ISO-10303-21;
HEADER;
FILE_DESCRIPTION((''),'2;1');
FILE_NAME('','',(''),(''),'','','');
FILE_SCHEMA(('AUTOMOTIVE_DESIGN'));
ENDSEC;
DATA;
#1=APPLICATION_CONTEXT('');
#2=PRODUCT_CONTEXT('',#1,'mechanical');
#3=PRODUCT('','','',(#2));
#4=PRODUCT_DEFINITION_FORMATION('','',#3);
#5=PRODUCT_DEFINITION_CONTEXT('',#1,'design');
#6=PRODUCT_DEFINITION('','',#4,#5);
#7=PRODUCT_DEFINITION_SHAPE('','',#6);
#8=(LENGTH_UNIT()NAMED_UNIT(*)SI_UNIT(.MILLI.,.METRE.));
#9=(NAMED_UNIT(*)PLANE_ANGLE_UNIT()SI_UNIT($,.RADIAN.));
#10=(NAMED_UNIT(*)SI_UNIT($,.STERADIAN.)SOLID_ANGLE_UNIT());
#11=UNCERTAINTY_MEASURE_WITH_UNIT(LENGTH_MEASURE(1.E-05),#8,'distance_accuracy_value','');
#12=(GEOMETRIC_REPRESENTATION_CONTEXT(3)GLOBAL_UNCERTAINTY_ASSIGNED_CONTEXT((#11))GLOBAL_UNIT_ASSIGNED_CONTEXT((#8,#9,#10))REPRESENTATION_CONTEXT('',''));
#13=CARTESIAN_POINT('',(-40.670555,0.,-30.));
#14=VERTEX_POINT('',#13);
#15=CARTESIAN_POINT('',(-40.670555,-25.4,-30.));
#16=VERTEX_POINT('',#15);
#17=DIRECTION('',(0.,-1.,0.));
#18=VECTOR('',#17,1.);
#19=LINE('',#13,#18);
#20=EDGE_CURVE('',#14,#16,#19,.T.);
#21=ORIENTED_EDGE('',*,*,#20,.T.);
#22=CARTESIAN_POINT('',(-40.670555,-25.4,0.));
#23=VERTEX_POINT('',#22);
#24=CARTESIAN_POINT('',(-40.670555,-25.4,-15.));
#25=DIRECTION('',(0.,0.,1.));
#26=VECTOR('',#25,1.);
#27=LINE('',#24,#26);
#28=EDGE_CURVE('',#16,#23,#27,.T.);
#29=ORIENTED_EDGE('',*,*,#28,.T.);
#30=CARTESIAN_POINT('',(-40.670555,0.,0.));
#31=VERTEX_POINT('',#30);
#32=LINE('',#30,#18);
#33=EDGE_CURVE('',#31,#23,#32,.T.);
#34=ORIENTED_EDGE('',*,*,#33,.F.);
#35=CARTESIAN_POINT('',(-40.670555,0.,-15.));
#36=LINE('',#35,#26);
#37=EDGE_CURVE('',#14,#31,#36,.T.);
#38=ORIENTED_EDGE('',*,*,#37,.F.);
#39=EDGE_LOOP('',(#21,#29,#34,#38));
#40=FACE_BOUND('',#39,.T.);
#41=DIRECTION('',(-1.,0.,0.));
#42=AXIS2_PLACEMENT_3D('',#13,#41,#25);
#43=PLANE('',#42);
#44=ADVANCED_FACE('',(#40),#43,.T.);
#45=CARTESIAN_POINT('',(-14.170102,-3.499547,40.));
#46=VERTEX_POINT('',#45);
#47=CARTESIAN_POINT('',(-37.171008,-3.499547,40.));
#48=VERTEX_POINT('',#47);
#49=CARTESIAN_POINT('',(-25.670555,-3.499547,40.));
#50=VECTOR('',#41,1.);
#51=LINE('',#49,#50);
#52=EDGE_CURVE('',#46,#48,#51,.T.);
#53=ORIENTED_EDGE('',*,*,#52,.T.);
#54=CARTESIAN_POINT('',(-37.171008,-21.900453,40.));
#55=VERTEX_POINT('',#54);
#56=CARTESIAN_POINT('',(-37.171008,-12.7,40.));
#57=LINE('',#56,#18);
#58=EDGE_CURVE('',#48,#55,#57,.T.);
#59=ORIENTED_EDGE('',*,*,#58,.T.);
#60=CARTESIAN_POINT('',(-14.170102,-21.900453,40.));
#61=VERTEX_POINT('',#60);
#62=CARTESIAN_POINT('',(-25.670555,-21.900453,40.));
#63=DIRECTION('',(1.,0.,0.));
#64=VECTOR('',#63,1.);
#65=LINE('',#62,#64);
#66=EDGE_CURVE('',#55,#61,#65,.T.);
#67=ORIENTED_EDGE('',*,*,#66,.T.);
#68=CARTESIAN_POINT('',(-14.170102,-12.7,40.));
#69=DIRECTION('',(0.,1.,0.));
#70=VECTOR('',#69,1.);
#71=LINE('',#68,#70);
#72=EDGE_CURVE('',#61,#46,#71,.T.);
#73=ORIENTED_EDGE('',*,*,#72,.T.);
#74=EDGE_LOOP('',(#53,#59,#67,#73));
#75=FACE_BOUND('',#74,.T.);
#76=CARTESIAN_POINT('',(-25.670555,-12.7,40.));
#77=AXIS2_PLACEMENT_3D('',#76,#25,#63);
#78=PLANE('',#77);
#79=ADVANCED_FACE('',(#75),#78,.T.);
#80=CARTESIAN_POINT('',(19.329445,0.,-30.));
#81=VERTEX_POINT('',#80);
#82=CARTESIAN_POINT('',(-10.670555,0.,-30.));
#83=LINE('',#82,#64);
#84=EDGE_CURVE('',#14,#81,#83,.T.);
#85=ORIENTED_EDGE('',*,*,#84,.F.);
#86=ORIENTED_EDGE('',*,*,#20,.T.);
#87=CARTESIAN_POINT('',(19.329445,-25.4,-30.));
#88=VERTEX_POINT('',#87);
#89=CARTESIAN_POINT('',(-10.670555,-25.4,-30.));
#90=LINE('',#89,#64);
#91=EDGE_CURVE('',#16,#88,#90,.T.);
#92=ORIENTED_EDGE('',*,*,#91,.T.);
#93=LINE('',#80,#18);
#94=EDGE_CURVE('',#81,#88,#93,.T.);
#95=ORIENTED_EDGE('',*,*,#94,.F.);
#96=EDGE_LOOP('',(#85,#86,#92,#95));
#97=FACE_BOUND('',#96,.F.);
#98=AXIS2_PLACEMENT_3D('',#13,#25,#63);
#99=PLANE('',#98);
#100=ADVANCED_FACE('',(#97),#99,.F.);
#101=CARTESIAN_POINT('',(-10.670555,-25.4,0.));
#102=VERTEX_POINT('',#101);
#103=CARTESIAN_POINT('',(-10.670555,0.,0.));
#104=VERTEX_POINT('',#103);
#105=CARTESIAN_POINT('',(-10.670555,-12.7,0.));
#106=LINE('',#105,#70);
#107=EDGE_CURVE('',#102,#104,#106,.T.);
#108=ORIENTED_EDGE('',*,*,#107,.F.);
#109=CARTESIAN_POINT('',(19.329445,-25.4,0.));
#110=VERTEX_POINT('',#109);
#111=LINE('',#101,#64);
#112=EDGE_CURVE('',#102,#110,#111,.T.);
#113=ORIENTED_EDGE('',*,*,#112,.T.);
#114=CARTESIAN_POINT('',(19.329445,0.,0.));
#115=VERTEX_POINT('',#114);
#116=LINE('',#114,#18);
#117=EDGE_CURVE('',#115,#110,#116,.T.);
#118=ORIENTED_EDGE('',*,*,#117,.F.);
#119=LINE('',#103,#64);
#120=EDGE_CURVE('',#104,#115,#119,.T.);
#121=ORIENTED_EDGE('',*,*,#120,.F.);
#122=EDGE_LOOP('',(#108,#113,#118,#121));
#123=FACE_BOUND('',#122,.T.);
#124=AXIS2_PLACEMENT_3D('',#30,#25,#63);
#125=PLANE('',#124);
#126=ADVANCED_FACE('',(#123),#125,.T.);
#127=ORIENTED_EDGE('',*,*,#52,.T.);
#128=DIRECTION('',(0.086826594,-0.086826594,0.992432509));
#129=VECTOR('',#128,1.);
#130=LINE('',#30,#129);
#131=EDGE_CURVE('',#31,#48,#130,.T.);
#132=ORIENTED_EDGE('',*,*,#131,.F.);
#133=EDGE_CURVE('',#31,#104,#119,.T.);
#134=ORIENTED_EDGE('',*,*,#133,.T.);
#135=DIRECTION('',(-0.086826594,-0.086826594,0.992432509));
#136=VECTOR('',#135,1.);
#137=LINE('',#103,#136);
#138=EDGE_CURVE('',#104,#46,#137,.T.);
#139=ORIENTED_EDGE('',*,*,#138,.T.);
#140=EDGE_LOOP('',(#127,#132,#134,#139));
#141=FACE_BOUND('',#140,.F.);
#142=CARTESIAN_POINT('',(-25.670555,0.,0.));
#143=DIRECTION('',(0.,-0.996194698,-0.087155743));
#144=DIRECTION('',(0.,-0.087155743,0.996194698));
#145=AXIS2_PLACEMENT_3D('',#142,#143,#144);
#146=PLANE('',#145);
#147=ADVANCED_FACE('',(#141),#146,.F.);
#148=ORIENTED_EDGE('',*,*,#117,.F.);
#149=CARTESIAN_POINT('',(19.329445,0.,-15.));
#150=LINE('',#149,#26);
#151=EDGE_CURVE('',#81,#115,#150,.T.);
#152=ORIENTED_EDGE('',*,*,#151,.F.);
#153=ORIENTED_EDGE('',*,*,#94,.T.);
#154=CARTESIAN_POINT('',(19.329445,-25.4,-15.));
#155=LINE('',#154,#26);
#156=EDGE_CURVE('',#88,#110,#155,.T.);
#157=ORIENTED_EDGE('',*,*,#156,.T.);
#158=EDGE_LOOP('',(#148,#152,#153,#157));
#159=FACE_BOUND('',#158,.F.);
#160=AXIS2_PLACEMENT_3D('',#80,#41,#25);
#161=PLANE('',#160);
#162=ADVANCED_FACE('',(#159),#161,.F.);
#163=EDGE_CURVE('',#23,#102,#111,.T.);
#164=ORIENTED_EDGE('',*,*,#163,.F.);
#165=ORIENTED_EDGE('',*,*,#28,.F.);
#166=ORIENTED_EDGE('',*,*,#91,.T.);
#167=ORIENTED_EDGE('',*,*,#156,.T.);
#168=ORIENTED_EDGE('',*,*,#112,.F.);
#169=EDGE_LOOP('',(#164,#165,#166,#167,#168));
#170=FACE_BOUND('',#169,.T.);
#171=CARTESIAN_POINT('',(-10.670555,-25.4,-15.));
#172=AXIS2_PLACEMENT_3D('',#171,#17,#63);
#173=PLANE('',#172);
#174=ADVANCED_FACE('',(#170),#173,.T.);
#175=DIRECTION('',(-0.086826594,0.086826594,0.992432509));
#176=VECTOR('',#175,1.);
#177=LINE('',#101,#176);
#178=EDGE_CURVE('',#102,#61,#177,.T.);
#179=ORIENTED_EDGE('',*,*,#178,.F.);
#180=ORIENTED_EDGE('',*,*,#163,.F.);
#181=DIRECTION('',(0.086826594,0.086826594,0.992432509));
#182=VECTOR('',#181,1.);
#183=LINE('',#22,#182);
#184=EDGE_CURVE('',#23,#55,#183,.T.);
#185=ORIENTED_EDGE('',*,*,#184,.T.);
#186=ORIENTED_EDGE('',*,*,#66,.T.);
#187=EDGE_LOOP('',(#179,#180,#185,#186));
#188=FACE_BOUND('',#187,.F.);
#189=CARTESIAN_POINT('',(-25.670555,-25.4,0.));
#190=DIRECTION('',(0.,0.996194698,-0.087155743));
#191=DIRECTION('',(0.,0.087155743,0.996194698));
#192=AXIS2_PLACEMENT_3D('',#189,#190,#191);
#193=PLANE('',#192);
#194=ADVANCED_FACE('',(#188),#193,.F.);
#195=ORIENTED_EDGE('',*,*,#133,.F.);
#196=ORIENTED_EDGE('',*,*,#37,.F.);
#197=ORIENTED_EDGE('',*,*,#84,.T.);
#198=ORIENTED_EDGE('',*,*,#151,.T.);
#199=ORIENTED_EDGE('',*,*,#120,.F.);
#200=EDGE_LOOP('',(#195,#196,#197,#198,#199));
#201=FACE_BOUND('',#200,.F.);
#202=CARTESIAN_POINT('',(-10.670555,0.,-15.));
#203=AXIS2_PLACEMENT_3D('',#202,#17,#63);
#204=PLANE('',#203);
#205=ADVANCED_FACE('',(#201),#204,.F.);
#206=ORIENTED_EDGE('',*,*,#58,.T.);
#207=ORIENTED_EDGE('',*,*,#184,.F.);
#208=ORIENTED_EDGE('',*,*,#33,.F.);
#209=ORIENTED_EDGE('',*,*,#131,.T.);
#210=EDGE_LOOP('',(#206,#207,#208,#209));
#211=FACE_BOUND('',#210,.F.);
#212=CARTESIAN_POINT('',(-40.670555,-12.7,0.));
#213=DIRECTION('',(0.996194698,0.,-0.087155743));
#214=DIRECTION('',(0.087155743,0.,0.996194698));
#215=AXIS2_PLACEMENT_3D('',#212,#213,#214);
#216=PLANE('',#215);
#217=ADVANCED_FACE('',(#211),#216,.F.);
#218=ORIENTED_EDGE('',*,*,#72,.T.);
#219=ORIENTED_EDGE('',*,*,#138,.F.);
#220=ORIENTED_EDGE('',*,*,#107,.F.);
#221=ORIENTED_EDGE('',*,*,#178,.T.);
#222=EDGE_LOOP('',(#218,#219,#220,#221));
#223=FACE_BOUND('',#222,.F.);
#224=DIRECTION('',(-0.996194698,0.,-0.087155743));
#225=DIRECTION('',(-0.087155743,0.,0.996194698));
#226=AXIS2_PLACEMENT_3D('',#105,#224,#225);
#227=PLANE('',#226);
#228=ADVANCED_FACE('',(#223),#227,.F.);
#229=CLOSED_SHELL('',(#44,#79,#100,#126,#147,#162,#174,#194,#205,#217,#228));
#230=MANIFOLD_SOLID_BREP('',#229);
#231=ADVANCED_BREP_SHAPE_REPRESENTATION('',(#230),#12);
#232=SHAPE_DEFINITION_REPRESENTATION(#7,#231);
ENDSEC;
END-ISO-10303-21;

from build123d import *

# Parameters (mm, degrees)
F0_W     = 60
F0_H     = 30
F1_DEPTH = 25.4
F2_W     = 30
F2_H     = 25.4
F3_DEPTH = 40
F3_TAPER = 5


with BuildPart() as f1:
    # F0 (on Front) → F1 (new body)
    with BuildSketch(Plane.XZ):
        with Locations((-10.6705549789, -15)):
            Rectangle(F0_W, F0_H)
    extrude(amount=F1_DEPTH)

    # F2 (on face) → F3 (join)
    with BuildSketch(Plane.XY):
        with Locations((-25.6705549789, -12.7)):
            Rectangle(F2_W, F2_H)
    extrude(amount=F3_DEPTH, taper=F3_TAPER)


solid = f1.part
